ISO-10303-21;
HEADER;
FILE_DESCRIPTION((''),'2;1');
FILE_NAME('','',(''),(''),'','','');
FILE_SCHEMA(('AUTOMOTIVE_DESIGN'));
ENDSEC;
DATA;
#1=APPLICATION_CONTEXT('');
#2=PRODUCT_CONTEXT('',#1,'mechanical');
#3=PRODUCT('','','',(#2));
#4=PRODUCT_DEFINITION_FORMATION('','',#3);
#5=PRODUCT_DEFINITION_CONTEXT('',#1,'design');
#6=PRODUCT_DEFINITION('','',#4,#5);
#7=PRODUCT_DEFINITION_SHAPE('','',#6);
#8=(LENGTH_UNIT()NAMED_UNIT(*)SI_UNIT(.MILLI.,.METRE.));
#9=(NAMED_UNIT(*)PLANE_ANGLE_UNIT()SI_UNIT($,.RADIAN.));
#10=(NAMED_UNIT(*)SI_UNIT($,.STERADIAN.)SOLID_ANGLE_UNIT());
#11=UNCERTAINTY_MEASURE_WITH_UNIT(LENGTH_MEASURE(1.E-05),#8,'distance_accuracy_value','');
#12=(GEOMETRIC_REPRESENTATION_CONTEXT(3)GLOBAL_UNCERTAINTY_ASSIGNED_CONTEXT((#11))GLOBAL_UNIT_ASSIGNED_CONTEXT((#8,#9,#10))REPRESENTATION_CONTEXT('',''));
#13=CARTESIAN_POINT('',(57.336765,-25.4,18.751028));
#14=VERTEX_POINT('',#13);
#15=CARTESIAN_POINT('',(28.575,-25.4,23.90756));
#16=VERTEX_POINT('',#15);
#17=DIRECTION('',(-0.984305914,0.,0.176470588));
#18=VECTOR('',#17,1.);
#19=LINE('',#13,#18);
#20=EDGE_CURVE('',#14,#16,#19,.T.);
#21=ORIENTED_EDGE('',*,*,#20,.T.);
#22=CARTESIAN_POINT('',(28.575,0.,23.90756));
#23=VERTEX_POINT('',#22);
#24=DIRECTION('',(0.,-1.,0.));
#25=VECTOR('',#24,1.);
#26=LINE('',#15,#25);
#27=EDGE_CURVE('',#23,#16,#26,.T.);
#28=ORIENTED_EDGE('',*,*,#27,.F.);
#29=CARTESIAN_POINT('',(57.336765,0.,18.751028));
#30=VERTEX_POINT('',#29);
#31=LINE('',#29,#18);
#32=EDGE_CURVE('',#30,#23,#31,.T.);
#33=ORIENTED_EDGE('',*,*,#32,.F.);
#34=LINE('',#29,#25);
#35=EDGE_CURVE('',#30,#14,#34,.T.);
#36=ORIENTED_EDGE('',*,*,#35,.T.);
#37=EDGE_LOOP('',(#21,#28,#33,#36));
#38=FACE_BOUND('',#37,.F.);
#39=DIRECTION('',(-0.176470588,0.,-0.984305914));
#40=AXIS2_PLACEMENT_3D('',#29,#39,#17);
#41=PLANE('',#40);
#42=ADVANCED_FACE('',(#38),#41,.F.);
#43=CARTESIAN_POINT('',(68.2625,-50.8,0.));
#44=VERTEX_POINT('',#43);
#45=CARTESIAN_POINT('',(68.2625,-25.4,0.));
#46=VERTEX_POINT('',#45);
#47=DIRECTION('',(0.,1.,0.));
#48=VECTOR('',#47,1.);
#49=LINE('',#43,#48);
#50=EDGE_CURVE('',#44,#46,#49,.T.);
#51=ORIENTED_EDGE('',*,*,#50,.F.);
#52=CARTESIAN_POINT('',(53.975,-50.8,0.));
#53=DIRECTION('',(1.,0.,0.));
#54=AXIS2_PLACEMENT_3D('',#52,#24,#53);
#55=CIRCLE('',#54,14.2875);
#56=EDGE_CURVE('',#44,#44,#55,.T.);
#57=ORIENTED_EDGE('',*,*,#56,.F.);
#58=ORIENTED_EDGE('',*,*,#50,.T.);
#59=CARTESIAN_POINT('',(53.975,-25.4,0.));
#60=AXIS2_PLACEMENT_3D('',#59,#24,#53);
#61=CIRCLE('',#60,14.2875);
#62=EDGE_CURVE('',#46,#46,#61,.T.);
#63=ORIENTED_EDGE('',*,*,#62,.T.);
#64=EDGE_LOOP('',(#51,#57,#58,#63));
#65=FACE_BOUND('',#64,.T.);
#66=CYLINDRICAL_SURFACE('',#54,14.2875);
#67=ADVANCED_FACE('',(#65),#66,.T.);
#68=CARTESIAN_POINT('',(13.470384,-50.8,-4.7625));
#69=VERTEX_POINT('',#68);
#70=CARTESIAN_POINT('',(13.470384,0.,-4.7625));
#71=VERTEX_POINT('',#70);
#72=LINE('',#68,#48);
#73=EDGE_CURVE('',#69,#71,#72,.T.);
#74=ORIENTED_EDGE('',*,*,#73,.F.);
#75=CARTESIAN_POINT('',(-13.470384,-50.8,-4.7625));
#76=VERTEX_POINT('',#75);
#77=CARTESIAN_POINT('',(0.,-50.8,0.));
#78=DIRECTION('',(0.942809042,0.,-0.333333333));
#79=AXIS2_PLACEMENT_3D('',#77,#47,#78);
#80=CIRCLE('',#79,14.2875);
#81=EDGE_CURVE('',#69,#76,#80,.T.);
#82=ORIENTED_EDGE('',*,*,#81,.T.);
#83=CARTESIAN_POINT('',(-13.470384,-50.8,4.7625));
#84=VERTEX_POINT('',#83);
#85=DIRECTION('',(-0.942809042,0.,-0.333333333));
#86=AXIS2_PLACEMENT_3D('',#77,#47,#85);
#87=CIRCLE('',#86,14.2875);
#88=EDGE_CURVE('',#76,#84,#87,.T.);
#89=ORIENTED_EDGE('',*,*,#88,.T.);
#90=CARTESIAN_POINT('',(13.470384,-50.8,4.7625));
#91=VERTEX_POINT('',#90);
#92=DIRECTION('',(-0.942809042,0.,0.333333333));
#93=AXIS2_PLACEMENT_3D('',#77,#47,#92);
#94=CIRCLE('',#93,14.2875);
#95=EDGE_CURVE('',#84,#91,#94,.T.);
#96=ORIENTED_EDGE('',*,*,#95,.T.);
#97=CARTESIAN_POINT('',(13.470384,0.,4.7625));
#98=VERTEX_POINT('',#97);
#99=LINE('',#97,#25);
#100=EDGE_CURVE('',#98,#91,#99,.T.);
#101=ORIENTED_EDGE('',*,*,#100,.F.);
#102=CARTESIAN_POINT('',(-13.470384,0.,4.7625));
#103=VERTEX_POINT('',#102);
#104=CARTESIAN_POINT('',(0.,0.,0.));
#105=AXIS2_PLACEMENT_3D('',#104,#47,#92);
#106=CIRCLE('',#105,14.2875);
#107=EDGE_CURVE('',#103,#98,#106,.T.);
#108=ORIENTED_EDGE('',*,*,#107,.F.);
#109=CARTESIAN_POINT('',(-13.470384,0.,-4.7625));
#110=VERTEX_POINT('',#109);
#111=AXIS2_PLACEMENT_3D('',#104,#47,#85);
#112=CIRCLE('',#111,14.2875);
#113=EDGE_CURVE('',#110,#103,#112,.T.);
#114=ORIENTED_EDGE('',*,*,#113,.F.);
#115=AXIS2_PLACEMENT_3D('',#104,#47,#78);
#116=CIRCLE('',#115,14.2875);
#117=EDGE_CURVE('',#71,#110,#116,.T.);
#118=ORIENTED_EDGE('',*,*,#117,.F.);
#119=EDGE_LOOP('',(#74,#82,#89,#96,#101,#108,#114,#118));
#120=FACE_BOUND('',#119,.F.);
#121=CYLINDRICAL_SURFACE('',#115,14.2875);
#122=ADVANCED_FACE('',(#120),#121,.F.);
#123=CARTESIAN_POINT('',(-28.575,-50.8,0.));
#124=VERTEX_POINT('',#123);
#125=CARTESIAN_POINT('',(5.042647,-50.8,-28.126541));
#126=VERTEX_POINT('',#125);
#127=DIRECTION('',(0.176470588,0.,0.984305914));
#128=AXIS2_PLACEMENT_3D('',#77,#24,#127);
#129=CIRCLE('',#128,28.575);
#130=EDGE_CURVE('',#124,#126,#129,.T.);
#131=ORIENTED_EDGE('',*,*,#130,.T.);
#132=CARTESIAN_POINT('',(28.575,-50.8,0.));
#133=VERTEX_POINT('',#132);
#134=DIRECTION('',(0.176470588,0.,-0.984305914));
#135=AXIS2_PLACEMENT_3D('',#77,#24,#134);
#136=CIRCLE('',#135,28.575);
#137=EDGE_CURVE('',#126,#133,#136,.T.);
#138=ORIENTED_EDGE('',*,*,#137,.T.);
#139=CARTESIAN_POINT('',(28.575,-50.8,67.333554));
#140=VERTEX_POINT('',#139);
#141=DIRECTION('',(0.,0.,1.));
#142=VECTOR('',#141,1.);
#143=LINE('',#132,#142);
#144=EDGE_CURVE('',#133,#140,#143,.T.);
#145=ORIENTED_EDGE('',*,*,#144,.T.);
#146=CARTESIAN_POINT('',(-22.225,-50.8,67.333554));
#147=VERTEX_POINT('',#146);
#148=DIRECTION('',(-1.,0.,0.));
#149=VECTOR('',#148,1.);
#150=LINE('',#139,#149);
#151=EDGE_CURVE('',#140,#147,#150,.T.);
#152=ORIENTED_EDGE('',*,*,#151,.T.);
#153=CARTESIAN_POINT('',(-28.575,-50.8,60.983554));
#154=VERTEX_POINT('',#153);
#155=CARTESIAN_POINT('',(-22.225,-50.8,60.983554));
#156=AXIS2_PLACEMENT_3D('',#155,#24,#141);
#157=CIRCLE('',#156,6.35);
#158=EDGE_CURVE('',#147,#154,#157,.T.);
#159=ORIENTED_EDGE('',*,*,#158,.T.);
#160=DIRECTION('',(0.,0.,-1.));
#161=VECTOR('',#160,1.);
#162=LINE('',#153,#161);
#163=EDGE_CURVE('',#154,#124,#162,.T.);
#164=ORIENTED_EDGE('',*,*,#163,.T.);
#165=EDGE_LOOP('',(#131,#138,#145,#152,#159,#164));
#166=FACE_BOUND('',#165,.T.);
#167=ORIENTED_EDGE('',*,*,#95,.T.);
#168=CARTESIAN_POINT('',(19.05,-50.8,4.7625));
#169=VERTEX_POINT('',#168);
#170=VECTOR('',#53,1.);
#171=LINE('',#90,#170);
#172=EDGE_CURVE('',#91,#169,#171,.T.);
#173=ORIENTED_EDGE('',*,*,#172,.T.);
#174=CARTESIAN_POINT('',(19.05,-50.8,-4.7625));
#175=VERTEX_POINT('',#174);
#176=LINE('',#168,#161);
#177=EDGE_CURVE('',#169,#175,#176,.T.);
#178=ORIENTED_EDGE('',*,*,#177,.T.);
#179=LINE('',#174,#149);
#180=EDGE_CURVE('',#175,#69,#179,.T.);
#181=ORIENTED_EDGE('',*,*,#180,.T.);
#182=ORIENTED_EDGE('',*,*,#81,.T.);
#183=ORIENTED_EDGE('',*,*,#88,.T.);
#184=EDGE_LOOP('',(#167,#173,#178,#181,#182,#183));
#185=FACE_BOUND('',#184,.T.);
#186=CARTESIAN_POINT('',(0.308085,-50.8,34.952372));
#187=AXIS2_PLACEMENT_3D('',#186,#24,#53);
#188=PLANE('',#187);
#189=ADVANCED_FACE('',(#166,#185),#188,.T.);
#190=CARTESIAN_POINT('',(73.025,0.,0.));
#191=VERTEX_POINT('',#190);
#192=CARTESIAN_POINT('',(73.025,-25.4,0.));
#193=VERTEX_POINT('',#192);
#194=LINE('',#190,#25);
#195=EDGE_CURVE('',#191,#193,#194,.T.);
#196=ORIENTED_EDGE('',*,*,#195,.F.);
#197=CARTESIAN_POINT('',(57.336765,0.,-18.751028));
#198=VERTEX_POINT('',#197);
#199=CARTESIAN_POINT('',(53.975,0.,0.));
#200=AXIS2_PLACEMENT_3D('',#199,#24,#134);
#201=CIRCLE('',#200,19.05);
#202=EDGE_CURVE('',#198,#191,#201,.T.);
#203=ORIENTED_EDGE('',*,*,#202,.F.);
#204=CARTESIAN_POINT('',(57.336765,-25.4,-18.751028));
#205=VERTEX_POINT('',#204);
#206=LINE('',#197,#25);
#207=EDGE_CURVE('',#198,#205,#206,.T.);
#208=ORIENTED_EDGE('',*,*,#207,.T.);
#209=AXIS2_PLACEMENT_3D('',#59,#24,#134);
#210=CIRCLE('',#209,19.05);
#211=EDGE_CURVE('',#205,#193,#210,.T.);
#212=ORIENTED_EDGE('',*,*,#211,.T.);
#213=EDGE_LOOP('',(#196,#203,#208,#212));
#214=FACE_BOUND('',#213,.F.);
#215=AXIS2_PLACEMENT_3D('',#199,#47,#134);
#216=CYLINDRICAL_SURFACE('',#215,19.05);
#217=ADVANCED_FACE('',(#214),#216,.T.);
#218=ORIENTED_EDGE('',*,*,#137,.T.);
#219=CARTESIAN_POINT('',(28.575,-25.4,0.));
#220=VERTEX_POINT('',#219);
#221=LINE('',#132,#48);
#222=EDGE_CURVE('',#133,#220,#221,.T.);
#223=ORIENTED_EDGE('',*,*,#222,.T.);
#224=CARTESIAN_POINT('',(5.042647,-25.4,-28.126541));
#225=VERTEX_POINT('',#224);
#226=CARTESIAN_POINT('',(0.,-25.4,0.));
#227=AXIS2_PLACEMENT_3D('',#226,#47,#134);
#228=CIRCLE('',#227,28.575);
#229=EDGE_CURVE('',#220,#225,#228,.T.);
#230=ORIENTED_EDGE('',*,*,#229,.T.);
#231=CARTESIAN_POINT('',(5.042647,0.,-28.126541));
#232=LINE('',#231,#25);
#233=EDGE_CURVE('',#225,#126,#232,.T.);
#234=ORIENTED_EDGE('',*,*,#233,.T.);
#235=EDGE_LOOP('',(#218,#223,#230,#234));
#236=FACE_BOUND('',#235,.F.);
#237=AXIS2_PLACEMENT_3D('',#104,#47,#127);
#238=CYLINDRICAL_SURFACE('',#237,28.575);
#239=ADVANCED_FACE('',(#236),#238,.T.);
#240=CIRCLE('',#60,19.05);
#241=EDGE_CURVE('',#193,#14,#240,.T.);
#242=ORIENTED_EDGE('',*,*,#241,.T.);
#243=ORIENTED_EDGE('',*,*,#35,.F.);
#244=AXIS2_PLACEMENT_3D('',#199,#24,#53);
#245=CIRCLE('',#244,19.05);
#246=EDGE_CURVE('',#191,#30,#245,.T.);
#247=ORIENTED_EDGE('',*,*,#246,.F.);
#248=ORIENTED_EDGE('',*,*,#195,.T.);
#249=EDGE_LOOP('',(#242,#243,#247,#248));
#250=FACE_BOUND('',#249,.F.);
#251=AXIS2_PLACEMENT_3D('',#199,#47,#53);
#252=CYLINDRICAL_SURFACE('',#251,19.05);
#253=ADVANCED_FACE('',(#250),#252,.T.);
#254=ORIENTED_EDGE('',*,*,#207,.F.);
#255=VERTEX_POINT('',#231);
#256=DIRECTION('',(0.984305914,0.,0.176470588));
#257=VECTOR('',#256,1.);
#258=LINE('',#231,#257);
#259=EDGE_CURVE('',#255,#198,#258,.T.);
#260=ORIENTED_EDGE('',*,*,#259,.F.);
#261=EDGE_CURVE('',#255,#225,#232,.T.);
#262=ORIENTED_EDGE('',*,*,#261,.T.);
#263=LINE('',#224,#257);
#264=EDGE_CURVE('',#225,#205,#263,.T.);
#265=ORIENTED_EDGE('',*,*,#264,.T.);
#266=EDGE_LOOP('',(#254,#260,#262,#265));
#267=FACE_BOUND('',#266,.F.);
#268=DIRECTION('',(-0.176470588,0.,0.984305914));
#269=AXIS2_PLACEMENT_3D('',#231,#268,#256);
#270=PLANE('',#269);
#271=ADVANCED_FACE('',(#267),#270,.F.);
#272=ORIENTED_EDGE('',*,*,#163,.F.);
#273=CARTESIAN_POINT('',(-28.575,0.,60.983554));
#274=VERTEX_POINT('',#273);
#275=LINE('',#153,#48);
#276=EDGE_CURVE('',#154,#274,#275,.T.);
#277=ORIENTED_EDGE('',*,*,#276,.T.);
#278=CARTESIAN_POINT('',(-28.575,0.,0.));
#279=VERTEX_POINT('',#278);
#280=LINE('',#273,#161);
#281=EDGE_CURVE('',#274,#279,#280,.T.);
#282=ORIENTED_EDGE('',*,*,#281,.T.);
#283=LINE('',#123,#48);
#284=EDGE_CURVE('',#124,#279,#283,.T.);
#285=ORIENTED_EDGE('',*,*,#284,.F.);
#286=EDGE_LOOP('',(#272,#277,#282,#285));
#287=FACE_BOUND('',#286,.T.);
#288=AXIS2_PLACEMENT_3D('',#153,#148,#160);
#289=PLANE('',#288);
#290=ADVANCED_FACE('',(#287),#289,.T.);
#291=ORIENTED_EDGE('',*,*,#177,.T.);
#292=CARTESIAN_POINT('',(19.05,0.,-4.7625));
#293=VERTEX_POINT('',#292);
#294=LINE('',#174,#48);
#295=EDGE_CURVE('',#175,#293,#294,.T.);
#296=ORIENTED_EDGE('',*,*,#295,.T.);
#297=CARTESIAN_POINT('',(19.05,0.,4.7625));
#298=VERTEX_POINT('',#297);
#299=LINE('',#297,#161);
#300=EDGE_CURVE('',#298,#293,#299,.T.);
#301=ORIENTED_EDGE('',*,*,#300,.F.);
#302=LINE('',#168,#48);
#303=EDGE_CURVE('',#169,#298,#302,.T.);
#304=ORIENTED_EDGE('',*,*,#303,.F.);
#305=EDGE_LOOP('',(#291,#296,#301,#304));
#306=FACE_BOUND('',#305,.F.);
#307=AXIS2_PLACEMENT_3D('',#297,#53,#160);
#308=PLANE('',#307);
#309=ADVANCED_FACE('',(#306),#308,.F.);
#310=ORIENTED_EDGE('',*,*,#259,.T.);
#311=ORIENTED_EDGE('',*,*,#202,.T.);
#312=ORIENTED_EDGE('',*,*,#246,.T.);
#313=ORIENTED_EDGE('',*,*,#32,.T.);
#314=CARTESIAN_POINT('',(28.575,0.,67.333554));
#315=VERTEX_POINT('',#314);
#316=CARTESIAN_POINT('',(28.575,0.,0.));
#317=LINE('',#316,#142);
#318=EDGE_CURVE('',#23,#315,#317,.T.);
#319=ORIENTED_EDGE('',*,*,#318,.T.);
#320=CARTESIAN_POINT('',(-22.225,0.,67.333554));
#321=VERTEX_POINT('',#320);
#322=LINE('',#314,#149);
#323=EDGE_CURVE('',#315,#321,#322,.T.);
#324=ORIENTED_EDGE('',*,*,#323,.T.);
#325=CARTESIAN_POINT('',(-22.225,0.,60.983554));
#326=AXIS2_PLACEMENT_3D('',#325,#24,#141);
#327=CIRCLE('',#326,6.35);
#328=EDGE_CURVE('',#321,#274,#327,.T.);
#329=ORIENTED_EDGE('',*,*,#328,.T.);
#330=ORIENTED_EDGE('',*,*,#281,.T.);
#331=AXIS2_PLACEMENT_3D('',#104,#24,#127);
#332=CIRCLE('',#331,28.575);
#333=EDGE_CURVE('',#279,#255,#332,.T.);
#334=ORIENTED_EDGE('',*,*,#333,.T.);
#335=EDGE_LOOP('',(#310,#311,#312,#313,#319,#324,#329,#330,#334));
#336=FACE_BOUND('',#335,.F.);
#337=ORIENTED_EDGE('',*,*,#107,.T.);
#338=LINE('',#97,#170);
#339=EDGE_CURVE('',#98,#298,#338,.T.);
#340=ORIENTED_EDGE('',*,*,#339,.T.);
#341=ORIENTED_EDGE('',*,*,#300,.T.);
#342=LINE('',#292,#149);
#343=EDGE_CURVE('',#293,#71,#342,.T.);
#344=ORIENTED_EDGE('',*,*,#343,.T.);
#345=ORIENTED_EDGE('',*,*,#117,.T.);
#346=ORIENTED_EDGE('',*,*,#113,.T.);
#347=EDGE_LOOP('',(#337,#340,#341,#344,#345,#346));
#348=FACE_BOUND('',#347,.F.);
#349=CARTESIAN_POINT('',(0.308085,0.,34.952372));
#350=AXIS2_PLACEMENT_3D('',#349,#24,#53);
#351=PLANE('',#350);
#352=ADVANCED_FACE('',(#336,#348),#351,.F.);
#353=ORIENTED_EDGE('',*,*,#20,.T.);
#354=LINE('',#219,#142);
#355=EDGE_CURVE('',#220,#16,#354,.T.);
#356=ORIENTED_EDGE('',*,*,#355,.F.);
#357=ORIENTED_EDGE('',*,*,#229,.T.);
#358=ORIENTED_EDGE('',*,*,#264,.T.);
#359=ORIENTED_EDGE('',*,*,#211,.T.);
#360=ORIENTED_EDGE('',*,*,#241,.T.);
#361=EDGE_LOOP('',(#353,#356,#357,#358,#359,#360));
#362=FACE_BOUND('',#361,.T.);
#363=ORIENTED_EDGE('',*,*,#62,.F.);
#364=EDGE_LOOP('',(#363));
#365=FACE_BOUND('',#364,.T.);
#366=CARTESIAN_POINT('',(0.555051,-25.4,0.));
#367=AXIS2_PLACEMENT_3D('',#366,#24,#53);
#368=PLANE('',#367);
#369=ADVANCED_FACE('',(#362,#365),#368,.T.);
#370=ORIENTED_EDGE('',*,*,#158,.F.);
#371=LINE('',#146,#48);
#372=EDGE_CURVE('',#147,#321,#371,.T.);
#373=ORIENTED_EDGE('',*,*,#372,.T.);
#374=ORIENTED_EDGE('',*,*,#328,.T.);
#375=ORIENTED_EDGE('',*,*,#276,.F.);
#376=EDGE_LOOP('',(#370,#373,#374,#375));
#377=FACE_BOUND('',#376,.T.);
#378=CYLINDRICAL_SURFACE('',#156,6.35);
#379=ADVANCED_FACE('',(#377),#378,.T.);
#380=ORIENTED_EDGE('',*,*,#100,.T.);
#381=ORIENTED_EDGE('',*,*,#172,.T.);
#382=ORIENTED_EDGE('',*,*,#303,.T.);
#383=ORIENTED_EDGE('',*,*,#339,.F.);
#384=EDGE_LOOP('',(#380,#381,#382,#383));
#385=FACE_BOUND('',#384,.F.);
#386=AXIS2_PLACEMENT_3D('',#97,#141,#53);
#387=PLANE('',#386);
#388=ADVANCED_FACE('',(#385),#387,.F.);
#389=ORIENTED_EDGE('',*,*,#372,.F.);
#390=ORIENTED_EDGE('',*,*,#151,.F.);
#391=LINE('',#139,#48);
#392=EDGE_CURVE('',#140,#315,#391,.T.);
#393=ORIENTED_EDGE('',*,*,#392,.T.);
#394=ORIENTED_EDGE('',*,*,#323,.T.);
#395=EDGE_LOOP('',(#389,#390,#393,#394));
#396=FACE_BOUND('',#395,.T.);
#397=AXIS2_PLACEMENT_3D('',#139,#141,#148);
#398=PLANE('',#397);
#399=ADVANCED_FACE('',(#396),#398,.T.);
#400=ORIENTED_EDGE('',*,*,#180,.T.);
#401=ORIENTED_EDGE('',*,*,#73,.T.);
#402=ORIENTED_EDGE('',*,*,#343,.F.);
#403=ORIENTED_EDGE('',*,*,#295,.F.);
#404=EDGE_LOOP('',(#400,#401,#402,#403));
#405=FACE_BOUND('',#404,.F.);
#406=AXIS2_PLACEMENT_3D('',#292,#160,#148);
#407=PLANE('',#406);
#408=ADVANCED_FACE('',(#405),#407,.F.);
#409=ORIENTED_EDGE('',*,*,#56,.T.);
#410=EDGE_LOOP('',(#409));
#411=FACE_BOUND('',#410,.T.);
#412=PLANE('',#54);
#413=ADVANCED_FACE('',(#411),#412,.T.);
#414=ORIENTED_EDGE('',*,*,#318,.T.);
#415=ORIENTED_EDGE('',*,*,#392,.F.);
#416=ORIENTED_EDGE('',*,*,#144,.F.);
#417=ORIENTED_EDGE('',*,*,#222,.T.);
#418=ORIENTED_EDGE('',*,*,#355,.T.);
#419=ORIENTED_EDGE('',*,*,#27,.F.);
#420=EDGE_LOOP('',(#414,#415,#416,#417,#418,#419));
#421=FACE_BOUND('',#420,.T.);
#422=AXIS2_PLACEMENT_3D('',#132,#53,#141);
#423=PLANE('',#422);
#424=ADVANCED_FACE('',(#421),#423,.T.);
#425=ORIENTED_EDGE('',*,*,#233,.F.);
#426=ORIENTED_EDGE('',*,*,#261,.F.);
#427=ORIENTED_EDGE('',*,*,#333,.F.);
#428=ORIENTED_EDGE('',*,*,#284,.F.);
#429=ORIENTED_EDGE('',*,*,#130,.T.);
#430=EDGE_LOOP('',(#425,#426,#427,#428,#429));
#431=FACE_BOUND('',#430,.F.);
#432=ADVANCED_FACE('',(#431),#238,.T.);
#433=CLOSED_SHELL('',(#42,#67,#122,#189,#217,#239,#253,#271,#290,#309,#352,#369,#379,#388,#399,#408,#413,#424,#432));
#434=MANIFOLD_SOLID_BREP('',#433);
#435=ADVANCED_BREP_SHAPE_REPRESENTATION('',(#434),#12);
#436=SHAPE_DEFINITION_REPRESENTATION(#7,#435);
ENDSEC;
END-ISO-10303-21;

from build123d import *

# Parameters (mm, degrees)
F0_R     = 14.2875
F1_DEPTH = 25.4
F2_DEPTH = 50.8
F3_R     = 14.2875
F4_DEPTH = 50.8


with BuildPart() as f1:
    # F0 (on Front) → F1 (new body)
    with BuildSketch(Plane.XZ):
        with BuildLine():
            ThreePointArc((5.0426470588, -28.1265414802), (21.9160245563, -18.3362616868), (28.575, 0))
            ThreePointArc((28.575, 0), (21.9160245563, 18.3362616868), (5.0426470588, 28.1265414802))
            ThreePointArc((5.0426470588, 28.1265414802), (-28.575, 0), (5.0426470588, -28.1265414802))
        make_face()
        with BuildLine():
            ThreePointArc((-13.4703841816, 4.7625), (0, 14.2875), (13.4703841816, 4.7625))
            Line((13.4703841816, 4.7625), (19.05, 4.7625))
            Line((19.05, 4.7625), (19.05, -4.7625))
            Line((19.05, -4.7625), (13.4703841816, -4.7625))
            ThreePointArc((13.4703841816, -4.7625), (0, -14.2875), (-13.4703841816, -4.7625))
            Line((-13.4703841816, -4.7625), (-19.05, -4.7625))
            Line((-19.05, -4.7625), (-19.05, 4.7625))
            Line((-19.05, 4.7625), (-13.4703841816, 4.7625))
        make_face(mode=Mode.SUBTRACT)
        with BuildLine():
            ThreePointArc((-13.4703841816, -4.7625), (-14.2875, 0), (-13.4703841816, 4.7625))
            Line((-13.4703841816, 4.7625), (-19.05, 4.7625))
            Line((-19.05, 4.7625), (-19.05, -4.7625))
            Line((-19.05, -4.7625), (-13.4703841816, -4.7625))
        make_face()
        with BuildLine():
            ThreePointArc((5.0426470588, 28.1265414802), (21.9160245563, 18.3362616868), (28.575, 0))
            ThreePointArc((28.575, 0), (21.9160245563, -18.3362616868), (5.0426470588, -28.1265414802))
            Line((5.0426470588, -28.1265414802), (57.3367647059, -18.7510276535))
            ThreePointArc((57.3367647059, -18.7510276535), (34.925, 0), (57.3367647059, 18.7510276535))
            Line((57.3367647059, 18.7510276535), (5.0426470588, 28.1265414802))
        make_face()
        with BuildLine():
            ThreePointArc((73.025, 0), (68.5856830375, 12.2241744579), (57.3367647059, 18.7510276535))
            ThreePointArc((57.3367647059, 18.7510276535), (34.925, 0), (57.3367647059, -18.7510276535))
            ThreePointArc((57.3367647059, -18.7510276535), (68.5856830375, -12.2241744579), (73.025, 0))
        make_face()
        with Locations((53.975, 0)):
            Circle(F0_R, mode=Mode.SUBTRACT)
    extrude(amount=F1_DEPTH)

    # F0 (on Front) → F2 (join)
    with BuildSketch(Plane.XZ):
        with BuildLine():
            ThreePointArc((5.0426470588, -28.1265414802), (21.9160245563, -18.3362616868), (28.575, 0))
            ThreePointArc((28.575, 0), (21.9160245563, 18.3362616868), (5.0426470588, 28.1265414802))
            ThreePointArc((5.0426470588, 28.1265414802), (-28.575, 0), (5.0426470588, -28.1265414802))
        make_face()
        with BuildLine():
            ThreePointArc((-13.4703841816, 4.7625), (0, 14.2875), (13.4703841816, 4.7625))
            Line((13.4703841816, 4.7625), (19.05, 4.7625))
            Line((19.05, 4.7625), (19.05, -4.7625))
            Line((19.05, -4.7625), (13.4703841816, -4.7625))
            ThreePointArc((13.4703841816, -4.7625), (0, -14.2875), (-13.4703841816, -4.7625))
            Line((-13.4703841816, -4.7625), (-19.05, -4.7625))
            Line((-19.05, -4.7625), (-19.05, 4.7625))
            Line((-19.05, 4.7625), (-13.4703841816, 4.7625))
        make_face(mode=Mode.SUBTRACT)
        with BuildLine():
            ThreePointArc((-13.4703841816, -4.7625), (-14.2875, 0), (-13.4703841816, 4.7625))
            Line((-13.4703841816, 4.7625), (-19.05, 4.7625))
            Line((-19.05, 4.7625), (-19.05, -4.7625))
            Line((-19.05, -4.7625), (-13.4703841816, -4.7625))
        make_face()
    extrude(amount=F2_DEPTH)

    # F3 (on face) → F4 (join, through all)
    with BuildSketch(Plane.XZ.offset(50.8)):
        with BuildLine():
            Line((-28.575, 60.9835536748), (-28.575, 0))
            ThreePointArc((-28.575, 0), (0, 28.575), (28.575, 0))
            Line((28.575, 0), (28.575, 67.3335536748))
            Line((28.575, 67.3335536748), (-22.225, 67.3335536748))
            ThreePointArc((-22.225, 67.3335536748), (-26.7151280605, 65.4736817353), (-28.575, 60.9835536748))
        make_face()
        with Locations((53.975, 0)):
            Circle(F3_R)
    extrude(amount=-F4_DEPTH)


solid = f1.part
